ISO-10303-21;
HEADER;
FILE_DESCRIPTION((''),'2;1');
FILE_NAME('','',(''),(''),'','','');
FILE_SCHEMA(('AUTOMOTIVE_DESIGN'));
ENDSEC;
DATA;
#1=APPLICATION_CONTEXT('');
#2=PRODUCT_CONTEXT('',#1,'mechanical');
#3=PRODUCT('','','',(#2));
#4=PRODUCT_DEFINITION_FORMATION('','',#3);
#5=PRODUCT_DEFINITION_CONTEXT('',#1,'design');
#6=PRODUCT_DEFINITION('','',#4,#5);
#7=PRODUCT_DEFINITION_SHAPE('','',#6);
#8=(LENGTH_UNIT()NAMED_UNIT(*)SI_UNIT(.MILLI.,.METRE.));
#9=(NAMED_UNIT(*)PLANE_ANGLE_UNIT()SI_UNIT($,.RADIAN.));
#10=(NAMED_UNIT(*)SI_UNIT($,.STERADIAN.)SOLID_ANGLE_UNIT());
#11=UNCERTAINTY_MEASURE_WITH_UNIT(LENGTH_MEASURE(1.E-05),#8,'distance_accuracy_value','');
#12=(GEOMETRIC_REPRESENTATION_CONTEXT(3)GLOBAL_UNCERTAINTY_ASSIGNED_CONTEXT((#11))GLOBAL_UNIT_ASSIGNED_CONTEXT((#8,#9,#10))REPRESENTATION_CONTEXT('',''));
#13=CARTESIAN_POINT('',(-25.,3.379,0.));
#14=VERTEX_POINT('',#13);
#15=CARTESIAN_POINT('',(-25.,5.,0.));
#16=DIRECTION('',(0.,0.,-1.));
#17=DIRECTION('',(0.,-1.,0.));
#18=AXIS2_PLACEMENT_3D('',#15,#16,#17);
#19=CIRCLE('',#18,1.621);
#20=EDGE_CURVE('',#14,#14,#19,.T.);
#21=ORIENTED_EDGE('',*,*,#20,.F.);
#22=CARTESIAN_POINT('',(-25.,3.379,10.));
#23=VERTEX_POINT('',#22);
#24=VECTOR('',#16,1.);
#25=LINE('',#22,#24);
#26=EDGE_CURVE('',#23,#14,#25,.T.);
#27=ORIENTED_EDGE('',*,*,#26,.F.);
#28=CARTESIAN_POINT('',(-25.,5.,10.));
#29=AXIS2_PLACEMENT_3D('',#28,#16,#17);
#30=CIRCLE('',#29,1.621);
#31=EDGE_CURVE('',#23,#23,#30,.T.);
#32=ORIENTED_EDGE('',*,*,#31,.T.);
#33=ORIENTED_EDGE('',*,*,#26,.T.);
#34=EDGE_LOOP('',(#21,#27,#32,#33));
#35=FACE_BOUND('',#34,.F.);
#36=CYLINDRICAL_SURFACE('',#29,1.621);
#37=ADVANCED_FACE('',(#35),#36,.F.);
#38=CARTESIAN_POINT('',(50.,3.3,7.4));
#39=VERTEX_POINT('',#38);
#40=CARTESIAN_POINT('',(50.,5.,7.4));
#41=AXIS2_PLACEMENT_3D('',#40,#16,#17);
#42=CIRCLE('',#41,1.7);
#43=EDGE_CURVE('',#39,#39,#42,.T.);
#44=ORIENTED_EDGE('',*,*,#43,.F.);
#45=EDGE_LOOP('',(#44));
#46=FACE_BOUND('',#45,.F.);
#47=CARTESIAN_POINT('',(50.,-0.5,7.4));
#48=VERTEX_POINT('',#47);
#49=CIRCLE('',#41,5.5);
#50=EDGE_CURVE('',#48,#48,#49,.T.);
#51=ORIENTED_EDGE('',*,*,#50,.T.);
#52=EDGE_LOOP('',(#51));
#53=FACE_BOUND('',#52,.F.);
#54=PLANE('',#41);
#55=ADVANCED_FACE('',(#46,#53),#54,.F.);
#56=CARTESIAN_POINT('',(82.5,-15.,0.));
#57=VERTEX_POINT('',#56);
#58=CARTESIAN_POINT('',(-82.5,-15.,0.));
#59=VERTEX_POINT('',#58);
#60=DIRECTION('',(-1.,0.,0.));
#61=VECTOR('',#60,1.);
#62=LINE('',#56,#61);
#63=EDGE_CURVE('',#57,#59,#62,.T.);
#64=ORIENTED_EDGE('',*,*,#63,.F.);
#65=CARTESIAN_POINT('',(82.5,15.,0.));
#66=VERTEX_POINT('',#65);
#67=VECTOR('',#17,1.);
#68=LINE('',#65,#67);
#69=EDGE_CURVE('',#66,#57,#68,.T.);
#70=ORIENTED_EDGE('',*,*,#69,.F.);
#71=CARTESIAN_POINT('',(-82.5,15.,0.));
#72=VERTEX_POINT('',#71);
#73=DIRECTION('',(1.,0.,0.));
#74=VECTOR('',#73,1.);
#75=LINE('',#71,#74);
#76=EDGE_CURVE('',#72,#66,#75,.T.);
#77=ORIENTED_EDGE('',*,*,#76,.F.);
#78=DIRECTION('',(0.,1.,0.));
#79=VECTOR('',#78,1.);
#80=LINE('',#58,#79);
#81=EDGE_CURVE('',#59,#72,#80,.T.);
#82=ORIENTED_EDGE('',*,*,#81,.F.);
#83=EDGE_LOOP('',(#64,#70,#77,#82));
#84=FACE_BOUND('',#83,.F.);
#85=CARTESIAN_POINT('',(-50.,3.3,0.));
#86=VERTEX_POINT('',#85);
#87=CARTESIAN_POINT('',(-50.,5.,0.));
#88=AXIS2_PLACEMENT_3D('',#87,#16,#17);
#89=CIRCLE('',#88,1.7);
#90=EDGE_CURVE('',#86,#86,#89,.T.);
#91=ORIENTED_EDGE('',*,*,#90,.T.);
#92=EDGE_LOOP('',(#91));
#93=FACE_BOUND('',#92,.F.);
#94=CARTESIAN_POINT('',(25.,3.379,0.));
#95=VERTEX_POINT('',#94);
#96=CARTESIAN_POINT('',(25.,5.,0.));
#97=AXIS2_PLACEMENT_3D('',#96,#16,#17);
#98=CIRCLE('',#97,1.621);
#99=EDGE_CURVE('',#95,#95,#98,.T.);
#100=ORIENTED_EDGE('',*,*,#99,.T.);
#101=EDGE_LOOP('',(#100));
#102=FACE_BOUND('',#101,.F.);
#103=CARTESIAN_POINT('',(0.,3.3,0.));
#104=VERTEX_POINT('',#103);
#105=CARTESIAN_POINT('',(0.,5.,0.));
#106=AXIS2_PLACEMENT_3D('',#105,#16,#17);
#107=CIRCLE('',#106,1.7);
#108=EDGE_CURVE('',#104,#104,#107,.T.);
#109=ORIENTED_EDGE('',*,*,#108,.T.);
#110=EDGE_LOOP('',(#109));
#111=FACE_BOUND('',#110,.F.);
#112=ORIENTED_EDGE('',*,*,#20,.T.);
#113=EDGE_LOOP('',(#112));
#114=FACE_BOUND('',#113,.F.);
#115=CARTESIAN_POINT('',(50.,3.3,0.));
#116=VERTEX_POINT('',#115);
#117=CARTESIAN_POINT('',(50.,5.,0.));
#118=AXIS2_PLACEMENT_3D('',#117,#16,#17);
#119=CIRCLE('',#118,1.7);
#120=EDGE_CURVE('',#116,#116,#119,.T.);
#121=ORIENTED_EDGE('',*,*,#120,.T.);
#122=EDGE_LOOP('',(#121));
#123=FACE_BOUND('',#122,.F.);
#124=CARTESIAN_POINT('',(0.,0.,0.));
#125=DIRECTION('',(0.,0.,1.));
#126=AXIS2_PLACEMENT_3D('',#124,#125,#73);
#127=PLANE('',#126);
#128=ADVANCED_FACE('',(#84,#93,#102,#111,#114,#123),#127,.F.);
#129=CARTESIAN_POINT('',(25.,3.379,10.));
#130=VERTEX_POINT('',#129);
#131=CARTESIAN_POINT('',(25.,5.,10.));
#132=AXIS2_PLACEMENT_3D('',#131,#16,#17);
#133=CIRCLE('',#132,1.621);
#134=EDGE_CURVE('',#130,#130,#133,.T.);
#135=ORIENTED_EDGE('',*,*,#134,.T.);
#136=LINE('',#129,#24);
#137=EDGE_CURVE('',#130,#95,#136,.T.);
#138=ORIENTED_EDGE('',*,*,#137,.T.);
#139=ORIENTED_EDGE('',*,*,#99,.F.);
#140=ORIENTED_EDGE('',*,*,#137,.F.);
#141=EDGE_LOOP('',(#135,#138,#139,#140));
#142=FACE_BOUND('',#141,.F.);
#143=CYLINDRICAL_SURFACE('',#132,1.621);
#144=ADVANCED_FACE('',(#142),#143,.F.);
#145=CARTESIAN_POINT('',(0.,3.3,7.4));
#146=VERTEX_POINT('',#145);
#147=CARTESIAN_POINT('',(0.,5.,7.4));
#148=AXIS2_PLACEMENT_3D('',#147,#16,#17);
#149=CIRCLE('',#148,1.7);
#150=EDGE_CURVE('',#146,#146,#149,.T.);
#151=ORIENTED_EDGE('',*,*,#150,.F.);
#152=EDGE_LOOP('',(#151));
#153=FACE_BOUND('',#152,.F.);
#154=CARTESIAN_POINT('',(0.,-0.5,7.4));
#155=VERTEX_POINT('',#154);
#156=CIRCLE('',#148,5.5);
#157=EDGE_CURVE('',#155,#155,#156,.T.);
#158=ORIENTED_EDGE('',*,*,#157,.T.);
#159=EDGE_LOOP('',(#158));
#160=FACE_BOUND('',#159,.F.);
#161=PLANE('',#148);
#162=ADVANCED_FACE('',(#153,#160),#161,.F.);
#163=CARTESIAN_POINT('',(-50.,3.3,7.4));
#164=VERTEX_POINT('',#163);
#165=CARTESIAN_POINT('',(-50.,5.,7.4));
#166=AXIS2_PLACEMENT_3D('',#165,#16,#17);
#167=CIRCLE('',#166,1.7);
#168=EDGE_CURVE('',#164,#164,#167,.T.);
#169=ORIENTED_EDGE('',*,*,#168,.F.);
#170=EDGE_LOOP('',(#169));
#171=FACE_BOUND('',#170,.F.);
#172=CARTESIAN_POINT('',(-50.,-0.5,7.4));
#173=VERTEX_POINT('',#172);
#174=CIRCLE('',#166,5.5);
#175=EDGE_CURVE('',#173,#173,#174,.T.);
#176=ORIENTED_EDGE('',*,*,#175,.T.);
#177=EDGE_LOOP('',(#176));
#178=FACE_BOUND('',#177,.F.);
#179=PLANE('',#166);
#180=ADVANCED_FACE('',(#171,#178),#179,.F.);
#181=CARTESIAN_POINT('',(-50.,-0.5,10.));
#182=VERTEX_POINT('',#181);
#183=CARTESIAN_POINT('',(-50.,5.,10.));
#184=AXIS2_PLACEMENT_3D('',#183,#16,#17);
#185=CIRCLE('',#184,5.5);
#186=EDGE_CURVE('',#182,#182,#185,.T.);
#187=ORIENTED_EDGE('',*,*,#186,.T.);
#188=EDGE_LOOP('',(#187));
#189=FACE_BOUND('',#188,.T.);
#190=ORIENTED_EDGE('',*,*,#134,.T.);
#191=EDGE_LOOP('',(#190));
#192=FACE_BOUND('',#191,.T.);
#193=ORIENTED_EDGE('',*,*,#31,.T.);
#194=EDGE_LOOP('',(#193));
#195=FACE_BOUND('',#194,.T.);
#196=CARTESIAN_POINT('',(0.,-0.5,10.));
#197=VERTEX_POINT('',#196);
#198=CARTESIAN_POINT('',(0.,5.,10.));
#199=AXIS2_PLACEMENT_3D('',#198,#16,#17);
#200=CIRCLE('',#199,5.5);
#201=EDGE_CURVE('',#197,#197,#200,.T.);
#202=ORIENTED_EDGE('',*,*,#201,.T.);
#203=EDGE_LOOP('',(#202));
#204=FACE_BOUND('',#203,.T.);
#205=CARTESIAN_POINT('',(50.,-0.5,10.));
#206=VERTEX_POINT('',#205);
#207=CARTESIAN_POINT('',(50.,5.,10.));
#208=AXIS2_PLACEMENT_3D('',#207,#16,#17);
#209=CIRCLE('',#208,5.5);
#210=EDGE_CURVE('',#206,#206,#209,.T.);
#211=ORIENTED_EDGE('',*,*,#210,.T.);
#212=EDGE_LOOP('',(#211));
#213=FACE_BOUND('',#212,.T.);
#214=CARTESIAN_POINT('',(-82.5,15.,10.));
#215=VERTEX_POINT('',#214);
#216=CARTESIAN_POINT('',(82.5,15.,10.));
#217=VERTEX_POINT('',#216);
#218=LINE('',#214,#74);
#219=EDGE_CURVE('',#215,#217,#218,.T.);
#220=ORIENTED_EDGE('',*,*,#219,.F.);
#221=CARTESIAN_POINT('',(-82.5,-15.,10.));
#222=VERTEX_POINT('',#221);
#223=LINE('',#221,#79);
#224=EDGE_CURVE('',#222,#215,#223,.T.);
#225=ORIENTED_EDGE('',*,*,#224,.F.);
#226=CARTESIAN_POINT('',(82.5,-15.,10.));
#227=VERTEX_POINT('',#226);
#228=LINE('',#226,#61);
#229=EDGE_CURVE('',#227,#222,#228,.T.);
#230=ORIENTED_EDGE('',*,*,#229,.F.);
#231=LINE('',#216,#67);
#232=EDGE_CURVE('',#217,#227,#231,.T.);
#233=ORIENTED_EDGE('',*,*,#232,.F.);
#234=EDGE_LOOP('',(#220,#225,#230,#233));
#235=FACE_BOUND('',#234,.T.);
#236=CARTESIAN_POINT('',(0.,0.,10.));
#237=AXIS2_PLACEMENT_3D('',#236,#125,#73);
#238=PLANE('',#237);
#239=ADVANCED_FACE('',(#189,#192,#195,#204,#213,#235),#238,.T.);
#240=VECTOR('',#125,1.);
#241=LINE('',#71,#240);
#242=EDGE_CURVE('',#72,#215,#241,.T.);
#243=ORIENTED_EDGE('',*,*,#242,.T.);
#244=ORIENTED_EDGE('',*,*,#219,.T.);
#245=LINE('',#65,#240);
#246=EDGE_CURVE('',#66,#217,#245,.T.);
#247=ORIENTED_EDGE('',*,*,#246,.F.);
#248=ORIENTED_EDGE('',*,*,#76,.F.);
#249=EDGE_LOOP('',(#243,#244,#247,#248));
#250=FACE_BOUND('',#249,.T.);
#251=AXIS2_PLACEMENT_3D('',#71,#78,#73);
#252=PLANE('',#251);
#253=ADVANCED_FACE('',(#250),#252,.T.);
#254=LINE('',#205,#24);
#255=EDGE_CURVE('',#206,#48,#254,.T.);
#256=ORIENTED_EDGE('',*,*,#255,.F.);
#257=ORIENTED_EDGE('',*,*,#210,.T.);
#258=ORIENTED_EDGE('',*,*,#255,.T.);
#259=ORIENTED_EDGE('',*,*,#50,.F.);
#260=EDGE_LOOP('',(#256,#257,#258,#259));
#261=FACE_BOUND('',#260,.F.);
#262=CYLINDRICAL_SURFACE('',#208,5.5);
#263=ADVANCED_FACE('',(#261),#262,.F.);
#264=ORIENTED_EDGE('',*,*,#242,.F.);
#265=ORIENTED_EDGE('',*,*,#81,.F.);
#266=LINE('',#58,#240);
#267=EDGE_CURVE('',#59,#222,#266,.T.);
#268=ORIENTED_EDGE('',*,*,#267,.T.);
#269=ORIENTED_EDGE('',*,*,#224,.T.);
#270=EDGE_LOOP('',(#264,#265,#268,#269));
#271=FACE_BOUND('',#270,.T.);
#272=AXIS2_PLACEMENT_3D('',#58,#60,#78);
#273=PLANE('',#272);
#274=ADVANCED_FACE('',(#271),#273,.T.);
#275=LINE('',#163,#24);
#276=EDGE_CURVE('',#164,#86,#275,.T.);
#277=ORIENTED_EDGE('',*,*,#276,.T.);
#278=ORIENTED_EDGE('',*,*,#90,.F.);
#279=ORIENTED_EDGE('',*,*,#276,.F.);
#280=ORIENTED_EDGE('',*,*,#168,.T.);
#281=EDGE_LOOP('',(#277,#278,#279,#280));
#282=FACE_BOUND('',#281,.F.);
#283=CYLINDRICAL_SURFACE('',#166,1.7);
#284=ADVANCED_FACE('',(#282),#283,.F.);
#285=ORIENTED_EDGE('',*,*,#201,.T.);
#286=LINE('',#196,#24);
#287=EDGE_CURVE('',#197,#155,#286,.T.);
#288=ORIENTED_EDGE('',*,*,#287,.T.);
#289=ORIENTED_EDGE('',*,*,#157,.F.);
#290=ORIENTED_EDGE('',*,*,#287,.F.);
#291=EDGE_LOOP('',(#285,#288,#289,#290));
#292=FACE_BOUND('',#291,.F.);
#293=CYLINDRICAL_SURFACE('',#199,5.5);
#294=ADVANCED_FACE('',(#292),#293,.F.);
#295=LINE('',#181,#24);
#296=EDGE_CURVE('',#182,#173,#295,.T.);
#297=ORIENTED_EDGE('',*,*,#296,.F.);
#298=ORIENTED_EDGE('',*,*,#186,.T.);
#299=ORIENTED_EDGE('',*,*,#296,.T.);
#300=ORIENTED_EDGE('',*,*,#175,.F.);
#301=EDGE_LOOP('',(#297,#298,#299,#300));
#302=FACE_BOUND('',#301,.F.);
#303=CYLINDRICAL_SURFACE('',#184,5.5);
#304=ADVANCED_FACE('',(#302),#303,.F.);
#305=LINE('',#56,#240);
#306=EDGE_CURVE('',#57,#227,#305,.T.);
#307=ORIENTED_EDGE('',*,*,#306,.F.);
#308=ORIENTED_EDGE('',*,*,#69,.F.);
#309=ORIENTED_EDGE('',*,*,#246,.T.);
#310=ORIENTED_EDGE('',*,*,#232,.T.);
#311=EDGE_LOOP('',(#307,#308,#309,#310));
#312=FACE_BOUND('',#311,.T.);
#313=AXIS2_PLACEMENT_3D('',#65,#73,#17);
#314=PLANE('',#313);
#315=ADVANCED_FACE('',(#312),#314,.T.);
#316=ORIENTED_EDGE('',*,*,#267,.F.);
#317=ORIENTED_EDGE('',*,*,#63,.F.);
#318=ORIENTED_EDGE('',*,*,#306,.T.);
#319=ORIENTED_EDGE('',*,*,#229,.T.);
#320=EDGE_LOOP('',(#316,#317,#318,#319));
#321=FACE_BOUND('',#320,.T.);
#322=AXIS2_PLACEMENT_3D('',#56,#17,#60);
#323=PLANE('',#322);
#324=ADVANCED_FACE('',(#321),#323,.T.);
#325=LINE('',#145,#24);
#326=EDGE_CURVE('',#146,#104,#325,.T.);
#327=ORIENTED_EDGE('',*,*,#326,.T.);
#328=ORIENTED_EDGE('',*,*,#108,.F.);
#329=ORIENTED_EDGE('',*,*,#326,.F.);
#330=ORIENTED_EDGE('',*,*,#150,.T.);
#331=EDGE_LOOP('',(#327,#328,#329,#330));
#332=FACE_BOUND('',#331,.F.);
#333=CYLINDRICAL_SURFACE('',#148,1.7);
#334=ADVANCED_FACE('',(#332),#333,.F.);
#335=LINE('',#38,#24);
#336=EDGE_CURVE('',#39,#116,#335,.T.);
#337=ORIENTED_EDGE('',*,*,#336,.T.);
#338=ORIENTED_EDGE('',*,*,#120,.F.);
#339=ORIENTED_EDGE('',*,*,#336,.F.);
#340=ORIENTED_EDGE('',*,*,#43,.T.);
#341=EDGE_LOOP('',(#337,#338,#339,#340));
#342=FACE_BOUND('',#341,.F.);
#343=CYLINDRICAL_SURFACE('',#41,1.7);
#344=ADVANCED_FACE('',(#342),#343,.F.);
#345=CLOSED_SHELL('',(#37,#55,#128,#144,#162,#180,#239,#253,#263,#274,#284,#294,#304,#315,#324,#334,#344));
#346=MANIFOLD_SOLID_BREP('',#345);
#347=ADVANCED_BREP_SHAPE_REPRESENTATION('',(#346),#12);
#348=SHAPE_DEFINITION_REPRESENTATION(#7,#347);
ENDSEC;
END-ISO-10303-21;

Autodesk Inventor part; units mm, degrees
ref_plane "YZ Plane" through (0, 0, 0) normal (1, 0, 0) x (0, 1, 0)
ref_plane "XZ Plane" through (0, 0, 0) normal (0, 1, 0) x (-1, 0, 0)
ref_plane "XY Plane" through (0, 0, 0) normal (0, 0, 1) x (1, 0, 0)
sketch "Sketch1" plane through (0, 0, 0) normal (0, 0, 1) x (1, 0, 0)
  line L0 (-82.5, 15) -> (82.5, 15)
  line L1 (82.5, 15) -> (82.5, -15)
  line L2 (82.5, -15) -> (-82.5, -15)
  line L3 (-82.5, -15) -> (-82.5, 15)
  point P0 (0, 0)
  dimension "d0" = 165
  dimension "d1" = 30
  dimension "d2" = 82.5
  dimension "d3" = 15
extrude "Extrusion1" add sketch "Sketch1" along normal blind 10
sketch "Sketch2" plane through (0, 0, 10) normal (0, 0, 1) x (1, 0, 0)
  line L0 (82.5, 15) -> (-82.5, 15) projected
  point P0 (0, 0)
  point P1 (-50, 5)
  point P2 (0, 5)
  point P3 (50, 5)
  dimension "d6" = 50
  dimension "d24" = 50
  dimension "d25" = 10
hole "Hole1" at (-50, 5, 10) at (0, 5, 10) at (50, 5, 10) direction (0, 0, -1) diameter 3.4 end through all counterbore diameter 11 counterbore depth 2.6 clearance for "Hex Head Cap Screw ISO 24017" size "M3" standard "ISO"
sketch "Sketch3" plane through (0, 0, 10) normal (0, 0, 1) x (1, 0, 0)
  line L0 (82.5, 15) -> (-82.5, 15) projected
  circle A0 centre (0, 5) radius 1.7 projected
  point P0 (0, 0)
  point P1 (-25, 5)
  point P2 (25, 5)
  dimension "d15" = 50
  dimension "d26" = 10
  dimension "d27" = 25
hole "Hole2" at (-25, 5, 10) at (25, 5, 10) direction (0, 0, -1) diameter 3.242 depth 11.8 tip angle 118 thread size "M4x0.7" class "6H" standard "ISO Metric profile"
equation "\"d2\" = 0.5 * d0"
equation "\"d3\" = 0.5 * d1"
equation "\"d27\" = 0.5 * d15"
properties part number "zStage_jackAttach"
